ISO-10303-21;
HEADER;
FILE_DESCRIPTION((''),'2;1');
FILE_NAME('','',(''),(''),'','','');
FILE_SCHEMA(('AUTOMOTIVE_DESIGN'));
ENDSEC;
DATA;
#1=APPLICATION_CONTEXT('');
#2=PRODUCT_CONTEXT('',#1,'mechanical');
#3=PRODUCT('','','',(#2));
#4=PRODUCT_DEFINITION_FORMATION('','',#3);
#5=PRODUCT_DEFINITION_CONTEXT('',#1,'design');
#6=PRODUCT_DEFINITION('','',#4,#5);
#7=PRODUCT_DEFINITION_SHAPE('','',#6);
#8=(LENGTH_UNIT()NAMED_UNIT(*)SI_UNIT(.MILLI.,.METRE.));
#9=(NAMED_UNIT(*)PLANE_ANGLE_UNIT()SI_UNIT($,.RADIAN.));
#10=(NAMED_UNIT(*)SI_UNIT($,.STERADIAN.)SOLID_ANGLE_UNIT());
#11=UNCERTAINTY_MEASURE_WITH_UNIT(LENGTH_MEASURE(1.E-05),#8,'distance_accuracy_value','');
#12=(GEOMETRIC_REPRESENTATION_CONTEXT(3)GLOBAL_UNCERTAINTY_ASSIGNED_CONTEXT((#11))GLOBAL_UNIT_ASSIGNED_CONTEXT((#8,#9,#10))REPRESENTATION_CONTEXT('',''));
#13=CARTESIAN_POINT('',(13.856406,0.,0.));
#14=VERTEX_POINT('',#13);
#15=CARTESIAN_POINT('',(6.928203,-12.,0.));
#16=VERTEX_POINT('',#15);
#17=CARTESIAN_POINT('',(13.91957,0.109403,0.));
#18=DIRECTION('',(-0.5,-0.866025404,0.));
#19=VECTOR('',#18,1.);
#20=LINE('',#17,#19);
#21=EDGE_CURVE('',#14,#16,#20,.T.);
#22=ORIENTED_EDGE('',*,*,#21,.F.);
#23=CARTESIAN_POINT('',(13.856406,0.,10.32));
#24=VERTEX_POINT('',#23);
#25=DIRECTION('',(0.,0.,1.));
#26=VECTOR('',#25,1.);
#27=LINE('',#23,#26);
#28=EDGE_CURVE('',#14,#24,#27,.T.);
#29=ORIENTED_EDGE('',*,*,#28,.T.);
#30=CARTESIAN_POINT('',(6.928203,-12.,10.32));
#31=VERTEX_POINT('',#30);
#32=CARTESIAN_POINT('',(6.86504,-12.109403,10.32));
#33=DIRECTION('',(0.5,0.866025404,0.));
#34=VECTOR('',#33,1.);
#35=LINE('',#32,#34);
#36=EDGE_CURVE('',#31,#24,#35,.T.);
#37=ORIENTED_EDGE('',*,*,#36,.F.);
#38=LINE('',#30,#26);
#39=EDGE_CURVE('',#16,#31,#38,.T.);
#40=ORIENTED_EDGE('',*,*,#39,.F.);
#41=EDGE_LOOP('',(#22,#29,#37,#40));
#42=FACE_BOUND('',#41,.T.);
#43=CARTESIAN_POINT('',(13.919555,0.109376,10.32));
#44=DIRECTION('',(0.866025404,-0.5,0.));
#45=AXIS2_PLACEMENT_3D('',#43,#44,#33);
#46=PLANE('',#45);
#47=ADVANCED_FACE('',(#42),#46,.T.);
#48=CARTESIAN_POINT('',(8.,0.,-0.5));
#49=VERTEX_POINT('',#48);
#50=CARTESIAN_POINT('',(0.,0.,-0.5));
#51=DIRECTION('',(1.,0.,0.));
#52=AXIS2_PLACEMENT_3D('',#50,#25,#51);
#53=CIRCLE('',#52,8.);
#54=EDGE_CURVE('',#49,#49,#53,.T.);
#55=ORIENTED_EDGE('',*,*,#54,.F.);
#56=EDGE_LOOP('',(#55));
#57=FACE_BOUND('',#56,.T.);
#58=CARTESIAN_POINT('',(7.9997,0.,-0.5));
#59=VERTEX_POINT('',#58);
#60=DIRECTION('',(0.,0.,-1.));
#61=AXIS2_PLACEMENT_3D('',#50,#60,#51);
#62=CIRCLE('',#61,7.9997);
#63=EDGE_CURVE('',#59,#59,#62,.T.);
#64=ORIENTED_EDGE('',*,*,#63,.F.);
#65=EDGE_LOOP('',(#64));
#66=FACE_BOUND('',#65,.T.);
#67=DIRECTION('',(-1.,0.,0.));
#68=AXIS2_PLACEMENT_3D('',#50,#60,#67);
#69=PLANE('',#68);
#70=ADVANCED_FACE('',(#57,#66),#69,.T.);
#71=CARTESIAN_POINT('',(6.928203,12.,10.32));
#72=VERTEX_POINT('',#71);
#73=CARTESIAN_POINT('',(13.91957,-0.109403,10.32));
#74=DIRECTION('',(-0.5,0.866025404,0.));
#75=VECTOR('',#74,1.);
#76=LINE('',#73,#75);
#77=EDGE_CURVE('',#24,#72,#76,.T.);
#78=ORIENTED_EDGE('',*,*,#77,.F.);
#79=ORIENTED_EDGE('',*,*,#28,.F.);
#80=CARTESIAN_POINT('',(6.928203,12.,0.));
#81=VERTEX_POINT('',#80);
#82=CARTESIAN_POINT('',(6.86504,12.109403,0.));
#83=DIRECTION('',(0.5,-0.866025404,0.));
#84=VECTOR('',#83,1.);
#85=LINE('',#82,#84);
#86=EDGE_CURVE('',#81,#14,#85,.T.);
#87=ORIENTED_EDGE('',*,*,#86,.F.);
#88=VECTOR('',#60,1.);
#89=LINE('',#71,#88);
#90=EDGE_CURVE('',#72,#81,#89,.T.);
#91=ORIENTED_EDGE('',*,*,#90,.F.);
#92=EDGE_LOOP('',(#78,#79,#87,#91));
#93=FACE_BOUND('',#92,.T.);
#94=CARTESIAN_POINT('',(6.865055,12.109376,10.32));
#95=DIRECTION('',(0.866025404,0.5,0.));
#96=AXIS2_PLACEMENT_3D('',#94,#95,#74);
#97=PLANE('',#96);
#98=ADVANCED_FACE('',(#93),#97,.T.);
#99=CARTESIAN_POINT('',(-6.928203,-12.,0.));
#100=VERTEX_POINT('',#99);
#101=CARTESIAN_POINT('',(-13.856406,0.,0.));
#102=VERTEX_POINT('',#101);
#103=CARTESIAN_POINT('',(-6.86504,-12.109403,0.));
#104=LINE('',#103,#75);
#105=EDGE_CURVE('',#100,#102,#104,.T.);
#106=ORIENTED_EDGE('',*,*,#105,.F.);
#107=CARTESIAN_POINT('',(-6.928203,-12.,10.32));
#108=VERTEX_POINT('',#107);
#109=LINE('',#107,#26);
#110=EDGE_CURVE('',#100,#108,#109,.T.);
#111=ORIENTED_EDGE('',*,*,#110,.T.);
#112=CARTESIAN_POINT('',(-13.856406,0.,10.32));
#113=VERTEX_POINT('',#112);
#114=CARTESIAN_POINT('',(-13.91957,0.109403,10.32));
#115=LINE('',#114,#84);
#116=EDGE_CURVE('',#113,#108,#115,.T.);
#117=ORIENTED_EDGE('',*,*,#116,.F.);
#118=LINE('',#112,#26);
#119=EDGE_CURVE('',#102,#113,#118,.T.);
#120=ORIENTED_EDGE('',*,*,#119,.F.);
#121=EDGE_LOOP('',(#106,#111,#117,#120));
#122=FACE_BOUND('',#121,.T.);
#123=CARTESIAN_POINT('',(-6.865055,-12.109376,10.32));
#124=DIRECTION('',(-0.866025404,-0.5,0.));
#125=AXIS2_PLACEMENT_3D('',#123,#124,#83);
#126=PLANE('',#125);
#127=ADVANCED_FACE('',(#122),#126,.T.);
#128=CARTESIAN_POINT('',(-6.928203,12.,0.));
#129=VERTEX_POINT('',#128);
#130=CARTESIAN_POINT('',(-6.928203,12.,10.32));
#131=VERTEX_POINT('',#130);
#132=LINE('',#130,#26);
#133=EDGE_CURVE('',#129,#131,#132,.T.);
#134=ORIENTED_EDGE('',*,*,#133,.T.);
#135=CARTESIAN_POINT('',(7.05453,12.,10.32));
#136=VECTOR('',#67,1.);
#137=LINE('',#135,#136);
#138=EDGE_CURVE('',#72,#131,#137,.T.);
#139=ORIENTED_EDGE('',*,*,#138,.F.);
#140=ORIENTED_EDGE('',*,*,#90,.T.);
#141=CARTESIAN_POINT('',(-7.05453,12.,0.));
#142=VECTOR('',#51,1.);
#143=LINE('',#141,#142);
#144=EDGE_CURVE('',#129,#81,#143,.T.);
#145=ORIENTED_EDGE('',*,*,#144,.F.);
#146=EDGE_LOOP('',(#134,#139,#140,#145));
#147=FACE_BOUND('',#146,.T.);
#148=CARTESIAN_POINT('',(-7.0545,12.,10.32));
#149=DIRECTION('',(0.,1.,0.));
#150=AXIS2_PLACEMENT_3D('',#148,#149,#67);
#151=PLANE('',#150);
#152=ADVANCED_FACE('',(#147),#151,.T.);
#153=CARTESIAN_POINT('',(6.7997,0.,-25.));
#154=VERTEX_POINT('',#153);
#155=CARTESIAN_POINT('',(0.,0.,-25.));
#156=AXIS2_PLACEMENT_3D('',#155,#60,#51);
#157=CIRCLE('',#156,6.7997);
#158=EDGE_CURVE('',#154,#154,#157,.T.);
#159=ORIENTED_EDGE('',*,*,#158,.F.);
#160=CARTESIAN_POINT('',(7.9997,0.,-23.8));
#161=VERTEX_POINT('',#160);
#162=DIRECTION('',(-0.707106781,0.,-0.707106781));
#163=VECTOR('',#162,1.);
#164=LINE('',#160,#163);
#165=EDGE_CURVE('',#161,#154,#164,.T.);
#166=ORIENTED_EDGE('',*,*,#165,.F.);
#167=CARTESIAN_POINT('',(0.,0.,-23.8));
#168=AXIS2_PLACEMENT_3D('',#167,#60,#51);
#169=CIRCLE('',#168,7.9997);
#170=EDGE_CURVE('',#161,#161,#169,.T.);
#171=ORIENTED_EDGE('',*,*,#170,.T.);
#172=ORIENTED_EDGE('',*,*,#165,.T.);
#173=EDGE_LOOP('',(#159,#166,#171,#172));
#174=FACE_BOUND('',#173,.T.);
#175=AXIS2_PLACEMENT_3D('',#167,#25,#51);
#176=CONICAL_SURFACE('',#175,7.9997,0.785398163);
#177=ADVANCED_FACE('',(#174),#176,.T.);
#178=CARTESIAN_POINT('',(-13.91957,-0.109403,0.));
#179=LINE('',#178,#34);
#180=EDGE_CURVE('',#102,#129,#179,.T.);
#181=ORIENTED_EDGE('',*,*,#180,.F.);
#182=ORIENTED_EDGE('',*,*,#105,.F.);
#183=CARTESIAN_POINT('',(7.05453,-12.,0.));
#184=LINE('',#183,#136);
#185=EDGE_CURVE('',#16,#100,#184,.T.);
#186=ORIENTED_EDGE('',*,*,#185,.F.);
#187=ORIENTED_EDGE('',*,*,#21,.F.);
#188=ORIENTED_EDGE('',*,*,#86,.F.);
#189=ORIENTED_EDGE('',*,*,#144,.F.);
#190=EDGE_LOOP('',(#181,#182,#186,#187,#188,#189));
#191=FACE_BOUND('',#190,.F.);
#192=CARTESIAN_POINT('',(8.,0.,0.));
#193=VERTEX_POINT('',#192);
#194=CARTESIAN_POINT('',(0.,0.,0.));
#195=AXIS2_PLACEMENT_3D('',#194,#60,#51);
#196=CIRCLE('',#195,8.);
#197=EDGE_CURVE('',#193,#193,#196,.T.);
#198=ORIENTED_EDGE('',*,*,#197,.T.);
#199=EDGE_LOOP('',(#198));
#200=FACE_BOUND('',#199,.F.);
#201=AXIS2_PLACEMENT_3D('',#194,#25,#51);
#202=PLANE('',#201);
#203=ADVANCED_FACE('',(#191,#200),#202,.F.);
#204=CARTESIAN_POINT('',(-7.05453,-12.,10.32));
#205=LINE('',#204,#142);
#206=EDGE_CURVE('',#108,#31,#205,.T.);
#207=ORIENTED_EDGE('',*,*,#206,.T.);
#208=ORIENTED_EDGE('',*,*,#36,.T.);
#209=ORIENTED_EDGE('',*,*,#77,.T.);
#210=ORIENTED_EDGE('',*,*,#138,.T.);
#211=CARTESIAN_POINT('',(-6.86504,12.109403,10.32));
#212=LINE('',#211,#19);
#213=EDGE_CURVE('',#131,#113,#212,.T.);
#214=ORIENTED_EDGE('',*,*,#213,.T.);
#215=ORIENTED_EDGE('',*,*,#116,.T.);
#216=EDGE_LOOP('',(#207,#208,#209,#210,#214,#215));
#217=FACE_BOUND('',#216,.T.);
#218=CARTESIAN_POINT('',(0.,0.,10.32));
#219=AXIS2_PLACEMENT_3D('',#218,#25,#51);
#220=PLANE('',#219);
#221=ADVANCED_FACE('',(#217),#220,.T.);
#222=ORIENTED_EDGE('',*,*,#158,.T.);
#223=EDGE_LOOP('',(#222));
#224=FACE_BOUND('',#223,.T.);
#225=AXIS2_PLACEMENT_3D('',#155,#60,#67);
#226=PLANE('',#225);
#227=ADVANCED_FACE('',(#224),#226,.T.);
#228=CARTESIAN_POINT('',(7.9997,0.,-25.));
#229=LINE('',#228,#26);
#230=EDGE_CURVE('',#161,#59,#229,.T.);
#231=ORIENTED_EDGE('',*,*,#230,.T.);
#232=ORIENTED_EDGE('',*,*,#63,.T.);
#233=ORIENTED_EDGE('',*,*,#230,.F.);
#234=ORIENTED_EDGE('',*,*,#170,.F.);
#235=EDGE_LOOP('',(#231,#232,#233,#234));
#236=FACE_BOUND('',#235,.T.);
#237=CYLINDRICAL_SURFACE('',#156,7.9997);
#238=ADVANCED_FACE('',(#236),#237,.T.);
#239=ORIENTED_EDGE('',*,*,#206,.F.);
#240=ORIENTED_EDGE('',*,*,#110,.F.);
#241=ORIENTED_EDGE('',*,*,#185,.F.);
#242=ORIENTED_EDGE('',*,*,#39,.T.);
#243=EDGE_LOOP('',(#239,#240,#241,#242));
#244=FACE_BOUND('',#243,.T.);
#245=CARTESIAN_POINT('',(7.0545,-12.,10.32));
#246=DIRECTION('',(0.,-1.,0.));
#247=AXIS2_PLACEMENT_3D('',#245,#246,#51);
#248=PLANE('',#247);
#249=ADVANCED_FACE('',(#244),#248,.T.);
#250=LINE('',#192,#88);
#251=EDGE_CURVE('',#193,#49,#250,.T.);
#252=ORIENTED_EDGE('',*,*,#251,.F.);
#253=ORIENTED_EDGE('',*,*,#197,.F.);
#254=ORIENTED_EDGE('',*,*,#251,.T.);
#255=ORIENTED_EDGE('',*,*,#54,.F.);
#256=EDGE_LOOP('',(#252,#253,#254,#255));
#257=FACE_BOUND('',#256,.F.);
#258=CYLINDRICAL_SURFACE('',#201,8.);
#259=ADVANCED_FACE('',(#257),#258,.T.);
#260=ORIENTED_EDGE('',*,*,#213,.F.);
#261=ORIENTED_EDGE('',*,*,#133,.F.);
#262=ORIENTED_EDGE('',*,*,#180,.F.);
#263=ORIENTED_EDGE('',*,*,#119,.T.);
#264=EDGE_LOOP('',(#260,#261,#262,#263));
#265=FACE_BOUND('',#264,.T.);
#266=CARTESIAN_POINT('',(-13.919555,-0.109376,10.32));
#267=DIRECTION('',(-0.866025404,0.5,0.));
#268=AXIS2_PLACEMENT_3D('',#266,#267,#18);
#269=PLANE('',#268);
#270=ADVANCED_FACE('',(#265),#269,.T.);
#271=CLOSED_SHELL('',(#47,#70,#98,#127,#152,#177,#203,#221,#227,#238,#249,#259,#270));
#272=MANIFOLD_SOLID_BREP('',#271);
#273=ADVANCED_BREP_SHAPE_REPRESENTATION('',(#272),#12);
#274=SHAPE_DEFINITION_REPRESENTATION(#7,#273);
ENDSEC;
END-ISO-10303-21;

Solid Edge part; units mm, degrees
sketch "Sketch1" plane through (0, 0, 0) normal (0, 0, 1) x (1, 0, 0)
  circle A0 centre (0, 0) radius 13.92
  dimension "D1" = 27.84
extrude "Protrusion1" add sketch "Sketch1" along normal blind 10.32
sketch "Sketch2" plane through (0, 0, 0) normal (0, 0, -1) x (1, 0, 0)
  circle A0 centre (0, 0) radius 8
extrude "Protrusion2" add sketch "Sketch2" along normal blind 25
sketch "Sketch3" plane through (0, 0, -25) normal (0, 0, -1) x (1, 0, 0)
  circle A0 centre (0, 0) radius 7.9997
extrude "Cutout1" cut sketch "Sketch3" against normal blind 24.5 flip side to cut
chamfer "Chamfer_1" distance 1.2 angle 45 1 edges at (-7.9997, 0, -25)
sketch "Sketch4" plane through (0, 0, 10.32) normal (0, 0, 1) x (1, 0, 0)
  line L0 (-7.0545, 12) -> (7.0545, 12)
  dimension "D1" = 24
extrude "Cutout2" cut sketch "Sketch4" against normal up to next material side at (0, 12.05, 10.32)
pattern_circular "Pattern1" count 6 over 360 about axis through (0, 0, 10.32) along (0, 0, 1) of "Cutout2"
properties part number "118416" material "Stainless Steel, 304"
